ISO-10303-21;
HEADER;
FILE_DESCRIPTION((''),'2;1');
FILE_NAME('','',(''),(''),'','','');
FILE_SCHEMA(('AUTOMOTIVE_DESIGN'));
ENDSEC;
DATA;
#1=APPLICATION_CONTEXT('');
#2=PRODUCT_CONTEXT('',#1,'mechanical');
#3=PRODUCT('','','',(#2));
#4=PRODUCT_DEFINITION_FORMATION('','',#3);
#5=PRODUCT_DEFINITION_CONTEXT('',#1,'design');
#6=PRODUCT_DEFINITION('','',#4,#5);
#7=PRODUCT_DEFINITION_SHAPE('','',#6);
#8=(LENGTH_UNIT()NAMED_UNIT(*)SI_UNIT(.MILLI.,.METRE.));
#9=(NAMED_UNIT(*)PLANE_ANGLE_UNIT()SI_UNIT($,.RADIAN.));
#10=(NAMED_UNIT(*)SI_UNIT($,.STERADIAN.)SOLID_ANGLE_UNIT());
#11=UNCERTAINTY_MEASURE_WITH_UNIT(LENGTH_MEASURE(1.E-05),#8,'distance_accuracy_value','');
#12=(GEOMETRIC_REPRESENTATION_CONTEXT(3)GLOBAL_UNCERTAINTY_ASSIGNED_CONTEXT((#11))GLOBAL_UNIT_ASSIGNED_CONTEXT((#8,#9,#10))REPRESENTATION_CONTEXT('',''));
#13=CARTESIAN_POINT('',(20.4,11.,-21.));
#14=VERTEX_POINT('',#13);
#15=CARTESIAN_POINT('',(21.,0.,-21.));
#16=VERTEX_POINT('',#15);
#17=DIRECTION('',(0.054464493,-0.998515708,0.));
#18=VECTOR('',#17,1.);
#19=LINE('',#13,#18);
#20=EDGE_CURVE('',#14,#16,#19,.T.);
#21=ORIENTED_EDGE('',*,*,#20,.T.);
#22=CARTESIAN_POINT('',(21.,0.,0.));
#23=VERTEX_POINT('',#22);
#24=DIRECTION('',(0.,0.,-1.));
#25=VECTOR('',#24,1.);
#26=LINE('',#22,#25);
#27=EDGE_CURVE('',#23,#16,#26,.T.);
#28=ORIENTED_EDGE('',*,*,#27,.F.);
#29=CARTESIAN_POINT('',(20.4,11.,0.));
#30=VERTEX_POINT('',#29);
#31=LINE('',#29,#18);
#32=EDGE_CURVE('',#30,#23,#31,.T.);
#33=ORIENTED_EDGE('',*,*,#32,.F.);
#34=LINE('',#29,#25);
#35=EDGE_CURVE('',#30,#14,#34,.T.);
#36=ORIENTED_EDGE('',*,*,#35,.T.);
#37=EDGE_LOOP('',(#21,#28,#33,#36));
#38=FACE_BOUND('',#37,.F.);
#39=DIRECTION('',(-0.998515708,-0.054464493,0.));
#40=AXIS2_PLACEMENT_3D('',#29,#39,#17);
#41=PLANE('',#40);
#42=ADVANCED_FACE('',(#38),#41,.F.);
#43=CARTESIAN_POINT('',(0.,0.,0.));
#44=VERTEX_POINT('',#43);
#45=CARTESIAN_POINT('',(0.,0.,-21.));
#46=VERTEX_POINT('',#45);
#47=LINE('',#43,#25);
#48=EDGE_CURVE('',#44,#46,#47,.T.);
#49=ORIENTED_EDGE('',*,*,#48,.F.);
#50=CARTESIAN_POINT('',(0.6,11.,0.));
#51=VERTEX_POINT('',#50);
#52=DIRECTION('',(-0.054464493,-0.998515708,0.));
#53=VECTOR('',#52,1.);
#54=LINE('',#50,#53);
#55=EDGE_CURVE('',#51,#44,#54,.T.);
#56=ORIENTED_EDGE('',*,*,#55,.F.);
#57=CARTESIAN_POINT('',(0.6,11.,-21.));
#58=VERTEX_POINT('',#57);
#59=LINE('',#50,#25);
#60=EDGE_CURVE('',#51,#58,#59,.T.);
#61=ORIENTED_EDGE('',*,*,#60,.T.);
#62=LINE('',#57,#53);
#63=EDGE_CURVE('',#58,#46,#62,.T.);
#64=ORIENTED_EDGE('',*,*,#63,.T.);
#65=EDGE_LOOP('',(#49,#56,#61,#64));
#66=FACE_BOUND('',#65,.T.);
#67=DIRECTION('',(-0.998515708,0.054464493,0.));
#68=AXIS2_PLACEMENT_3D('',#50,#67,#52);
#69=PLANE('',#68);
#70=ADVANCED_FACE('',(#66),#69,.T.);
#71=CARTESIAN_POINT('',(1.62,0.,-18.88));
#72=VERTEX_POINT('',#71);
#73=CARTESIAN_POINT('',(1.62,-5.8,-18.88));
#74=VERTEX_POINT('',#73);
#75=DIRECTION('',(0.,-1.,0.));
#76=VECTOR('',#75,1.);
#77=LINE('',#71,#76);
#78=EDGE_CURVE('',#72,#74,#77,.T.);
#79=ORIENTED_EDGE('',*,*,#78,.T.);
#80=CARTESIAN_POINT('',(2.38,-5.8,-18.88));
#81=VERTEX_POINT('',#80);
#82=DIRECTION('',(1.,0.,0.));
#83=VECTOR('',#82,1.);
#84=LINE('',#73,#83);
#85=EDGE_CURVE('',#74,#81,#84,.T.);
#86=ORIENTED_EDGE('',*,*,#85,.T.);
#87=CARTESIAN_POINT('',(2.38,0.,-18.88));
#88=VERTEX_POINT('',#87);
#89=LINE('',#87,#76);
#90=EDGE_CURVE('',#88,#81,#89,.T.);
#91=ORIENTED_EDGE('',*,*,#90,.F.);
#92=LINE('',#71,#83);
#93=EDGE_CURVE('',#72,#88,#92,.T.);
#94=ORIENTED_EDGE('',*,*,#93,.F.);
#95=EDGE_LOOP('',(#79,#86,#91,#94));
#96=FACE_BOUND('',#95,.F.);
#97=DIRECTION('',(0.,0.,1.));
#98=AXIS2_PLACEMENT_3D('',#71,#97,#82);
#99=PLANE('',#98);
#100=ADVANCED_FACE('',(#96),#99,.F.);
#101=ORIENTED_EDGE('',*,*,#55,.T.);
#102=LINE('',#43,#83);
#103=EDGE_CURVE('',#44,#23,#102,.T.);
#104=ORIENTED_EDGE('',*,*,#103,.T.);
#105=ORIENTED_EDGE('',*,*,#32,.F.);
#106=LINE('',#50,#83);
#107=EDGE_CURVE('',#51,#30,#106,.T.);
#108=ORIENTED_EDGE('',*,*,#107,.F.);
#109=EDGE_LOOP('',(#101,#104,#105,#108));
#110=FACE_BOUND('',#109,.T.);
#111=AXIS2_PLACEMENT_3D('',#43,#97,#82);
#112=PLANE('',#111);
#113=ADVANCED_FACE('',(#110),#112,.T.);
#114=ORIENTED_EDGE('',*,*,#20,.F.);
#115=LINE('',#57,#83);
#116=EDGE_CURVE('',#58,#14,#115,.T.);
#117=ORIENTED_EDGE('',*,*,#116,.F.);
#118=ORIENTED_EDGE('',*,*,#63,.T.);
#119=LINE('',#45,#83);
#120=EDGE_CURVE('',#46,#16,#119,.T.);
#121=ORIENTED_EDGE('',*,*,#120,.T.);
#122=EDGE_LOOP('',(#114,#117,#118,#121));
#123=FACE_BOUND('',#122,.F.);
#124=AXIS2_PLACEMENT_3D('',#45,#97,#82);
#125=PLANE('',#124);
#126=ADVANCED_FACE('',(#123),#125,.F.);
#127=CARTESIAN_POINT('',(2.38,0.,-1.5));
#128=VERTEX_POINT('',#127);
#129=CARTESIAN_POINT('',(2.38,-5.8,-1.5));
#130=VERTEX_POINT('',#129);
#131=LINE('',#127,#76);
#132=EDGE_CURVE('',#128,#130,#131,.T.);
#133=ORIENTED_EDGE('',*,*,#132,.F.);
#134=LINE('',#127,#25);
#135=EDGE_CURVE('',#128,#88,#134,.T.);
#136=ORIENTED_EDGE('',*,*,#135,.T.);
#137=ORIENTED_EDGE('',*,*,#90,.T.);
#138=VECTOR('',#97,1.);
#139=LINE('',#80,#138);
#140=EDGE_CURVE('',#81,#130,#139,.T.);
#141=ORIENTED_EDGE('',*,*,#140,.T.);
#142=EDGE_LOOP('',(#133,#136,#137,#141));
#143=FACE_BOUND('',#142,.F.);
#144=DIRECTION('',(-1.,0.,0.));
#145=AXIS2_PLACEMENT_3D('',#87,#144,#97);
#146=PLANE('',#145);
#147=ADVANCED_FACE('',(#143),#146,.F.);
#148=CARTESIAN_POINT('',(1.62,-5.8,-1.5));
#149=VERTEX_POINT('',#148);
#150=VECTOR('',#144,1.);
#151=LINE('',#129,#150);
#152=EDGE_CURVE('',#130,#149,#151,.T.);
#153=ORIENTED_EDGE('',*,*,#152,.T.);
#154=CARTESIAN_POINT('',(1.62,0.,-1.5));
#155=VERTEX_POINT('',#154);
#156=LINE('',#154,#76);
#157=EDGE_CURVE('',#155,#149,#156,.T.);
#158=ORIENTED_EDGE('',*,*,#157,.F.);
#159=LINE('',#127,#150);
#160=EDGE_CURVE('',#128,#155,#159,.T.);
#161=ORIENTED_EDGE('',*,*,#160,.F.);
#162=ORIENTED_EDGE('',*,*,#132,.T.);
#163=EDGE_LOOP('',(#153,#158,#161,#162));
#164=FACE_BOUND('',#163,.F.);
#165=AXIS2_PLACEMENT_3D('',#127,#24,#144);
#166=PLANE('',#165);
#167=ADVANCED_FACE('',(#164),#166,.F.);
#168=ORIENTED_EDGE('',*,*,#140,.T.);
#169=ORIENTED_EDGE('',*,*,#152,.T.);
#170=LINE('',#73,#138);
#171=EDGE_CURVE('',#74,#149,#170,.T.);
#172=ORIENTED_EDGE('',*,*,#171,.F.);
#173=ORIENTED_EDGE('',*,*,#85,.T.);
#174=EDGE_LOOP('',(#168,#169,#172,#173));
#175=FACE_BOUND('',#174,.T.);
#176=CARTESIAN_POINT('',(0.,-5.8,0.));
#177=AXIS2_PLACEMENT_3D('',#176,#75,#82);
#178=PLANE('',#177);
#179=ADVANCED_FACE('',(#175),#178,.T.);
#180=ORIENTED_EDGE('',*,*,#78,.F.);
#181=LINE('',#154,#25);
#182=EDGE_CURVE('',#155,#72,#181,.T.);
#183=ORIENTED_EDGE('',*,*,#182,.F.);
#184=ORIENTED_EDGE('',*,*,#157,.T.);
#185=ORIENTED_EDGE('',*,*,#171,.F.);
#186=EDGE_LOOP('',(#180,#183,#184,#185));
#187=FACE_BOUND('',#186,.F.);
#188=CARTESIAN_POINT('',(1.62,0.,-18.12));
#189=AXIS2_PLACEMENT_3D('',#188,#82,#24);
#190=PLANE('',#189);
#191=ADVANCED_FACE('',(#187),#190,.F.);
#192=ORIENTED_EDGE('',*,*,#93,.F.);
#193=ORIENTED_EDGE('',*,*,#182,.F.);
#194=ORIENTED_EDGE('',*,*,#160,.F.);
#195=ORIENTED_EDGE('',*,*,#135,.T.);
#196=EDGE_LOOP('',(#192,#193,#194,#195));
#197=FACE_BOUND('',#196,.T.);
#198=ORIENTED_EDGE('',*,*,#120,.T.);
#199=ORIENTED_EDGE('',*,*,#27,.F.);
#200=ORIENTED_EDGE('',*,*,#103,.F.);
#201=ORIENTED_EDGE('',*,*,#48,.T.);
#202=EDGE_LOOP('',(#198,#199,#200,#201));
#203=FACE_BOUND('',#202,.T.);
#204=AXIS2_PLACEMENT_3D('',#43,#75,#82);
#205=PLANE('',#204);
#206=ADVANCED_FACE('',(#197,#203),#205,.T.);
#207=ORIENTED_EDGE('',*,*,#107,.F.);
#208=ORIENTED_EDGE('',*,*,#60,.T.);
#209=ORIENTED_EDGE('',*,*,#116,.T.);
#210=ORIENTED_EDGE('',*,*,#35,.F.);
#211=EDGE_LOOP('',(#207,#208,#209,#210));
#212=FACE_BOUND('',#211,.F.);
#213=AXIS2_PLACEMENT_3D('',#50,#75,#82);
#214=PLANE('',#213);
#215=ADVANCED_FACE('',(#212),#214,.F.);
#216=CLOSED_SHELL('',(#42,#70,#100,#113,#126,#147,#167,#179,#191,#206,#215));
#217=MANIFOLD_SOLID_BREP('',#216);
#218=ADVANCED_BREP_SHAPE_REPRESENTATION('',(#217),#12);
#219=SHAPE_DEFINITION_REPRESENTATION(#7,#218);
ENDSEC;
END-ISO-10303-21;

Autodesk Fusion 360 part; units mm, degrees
sketch "Front View" plane through (0, 0, 0) normal (0, 0, 1) x (1, 0, 0)
  line L0 (0, 0) -> (21, 0)
  line L1 (0.6, 11) -> (20.4, 11)
  line L2 (0.6, 11) -> (0, 0)
  line L3 (20.4, 11) -> (21, 0)
  dimension "d1" = 21
  dimension "d2" = 19.8
  dimension "d3" = 11
extrude "Extrude1" add sketch "Front View" against normal blind 21
sketch "Pin Sketches" plane through (0, 0, 0) normal (0, -1, 0) x (1, 0, 0)
  line L0 (21, 0) -> (0, 0)
  line L1 (0, 0) -> (0, -21)
  line L2 (0, -21) -> (21, -21)
  line L3 (21, -21) -> (21, 0)
  line L4 (1.62, -18.88) -> (2.38, -18.88)
  line L5 (2.38, -18.88) -> (2.38, -18.12)
  line L6 (2.38, -18.12) -> (1.62, -18.12)
  line L7 (1.62, -18.12) -> (1.62, -18.88)
  line L8 (1.62, -18.88) -> (2.38, -18.88)
  line L9 (2.38, -18.88) -> (2.38, -1.5)
  line L10 (2.38, -1.5) -> (1.62, -1.5)
  line L11 (1.62, -1.5) -> (1.62, -18.88)
  dimension "d6" = 0.76
  dimension "d7" = 0.76
  dimension "d8" = 1.62
  dimension "d9" = 2.12
extrude "Extrude2" add sketch "Pin Sketches" along normal blind 5.8 contours L4 L5 L6 L7 L8 L9 L11 | L6 L9 L10 L11
